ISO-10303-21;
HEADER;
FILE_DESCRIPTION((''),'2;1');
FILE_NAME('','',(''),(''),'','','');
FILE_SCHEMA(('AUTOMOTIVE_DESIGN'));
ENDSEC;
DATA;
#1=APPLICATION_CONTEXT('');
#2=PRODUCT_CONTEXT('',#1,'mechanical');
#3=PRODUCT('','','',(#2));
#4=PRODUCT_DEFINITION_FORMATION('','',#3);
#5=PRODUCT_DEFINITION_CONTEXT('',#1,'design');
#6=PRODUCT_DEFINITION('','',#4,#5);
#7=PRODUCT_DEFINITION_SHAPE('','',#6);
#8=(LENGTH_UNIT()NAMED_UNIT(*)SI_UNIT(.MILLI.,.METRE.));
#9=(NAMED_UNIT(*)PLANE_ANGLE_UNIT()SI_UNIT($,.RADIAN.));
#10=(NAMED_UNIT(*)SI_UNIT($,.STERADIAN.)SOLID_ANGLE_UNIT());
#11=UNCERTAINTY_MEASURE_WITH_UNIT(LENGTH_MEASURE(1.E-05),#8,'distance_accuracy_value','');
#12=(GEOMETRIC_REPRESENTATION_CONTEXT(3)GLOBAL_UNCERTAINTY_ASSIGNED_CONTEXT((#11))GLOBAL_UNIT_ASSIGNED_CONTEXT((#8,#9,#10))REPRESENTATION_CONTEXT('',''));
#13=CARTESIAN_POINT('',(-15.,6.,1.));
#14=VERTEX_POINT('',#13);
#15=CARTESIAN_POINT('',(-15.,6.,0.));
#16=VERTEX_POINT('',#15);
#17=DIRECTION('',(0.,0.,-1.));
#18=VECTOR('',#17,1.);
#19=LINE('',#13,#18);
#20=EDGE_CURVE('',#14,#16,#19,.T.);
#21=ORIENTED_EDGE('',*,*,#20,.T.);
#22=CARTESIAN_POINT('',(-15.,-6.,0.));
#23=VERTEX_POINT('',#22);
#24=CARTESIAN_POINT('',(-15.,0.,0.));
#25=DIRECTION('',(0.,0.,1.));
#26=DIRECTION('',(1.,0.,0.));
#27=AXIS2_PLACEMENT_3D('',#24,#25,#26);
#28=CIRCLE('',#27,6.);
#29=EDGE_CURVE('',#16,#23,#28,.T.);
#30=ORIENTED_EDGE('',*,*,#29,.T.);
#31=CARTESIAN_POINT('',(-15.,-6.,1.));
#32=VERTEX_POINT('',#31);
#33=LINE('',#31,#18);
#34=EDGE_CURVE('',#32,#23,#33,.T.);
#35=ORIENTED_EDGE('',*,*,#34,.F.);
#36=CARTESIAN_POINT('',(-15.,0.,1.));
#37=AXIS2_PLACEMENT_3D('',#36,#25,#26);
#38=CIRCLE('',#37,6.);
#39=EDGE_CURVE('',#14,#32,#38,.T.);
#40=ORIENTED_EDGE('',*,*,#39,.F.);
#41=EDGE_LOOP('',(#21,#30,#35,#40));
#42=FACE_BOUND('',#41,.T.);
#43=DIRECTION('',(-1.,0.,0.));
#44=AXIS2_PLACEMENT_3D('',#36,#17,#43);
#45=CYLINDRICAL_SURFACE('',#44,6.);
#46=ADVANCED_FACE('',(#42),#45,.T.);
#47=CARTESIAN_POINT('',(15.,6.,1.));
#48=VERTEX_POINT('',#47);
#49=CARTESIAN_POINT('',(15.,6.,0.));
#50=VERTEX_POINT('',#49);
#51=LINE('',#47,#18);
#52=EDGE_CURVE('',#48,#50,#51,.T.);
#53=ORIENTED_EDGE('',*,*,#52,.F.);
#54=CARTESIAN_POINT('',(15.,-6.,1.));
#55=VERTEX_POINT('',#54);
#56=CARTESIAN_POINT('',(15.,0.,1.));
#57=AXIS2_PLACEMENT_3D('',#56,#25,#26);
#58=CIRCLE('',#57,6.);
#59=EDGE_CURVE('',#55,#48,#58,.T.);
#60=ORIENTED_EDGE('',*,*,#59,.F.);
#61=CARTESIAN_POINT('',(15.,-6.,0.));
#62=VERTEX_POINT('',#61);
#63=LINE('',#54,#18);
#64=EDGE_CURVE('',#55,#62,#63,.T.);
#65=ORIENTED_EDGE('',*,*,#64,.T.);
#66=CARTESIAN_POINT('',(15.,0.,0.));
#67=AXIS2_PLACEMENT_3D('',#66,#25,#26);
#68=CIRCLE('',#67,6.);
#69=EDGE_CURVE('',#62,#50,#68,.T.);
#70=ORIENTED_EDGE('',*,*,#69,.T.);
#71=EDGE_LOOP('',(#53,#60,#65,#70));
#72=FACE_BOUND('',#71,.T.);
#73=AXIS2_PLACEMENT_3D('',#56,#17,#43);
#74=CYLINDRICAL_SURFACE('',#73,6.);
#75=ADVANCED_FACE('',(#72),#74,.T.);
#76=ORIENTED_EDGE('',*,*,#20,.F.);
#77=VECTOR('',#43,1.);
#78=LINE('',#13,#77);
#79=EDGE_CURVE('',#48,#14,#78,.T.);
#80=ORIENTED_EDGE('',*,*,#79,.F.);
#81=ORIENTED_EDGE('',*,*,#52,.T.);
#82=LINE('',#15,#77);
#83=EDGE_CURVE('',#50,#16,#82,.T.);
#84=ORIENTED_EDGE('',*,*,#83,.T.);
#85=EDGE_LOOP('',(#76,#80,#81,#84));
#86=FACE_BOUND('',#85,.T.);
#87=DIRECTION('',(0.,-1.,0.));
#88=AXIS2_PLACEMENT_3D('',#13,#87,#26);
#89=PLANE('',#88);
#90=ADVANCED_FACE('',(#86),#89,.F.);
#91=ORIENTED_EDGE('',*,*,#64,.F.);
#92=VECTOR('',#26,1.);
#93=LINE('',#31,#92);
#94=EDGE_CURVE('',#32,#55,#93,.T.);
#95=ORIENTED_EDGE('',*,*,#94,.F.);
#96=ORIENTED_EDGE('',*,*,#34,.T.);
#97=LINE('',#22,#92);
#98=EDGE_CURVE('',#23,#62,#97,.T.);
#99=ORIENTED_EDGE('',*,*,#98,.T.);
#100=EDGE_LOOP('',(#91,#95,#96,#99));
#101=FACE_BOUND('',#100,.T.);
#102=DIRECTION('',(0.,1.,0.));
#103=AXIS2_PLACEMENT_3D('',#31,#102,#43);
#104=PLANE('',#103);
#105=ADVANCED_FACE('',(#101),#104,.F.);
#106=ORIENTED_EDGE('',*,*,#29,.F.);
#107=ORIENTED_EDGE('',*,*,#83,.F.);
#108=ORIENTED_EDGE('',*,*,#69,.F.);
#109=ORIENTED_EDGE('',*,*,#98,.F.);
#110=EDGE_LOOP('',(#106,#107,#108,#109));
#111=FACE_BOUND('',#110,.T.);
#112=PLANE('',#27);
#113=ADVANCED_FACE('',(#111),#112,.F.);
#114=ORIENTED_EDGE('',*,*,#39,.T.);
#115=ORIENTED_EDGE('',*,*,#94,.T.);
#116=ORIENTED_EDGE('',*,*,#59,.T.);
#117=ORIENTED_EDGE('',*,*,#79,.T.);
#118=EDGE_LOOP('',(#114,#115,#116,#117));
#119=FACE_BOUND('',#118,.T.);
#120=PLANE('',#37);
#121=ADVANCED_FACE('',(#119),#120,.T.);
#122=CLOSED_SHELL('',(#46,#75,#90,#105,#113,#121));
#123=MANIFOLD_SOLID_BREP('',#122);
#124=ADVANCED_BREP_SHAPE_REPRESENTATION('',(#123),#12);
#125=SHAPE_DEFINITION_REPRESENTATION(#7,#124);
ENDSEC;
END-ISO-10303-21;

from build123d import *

# Parameters (mm, degrees)
BOSS_EXTRUDE1_DEPTH = 1


with BuildPart() as part:
    # Sketch1 → Boss-Extrude1 (new body)
    with BuildSketch(Plane.XY):
        with BuildLine():
            Line((-15, 6), (15, 6))
            ThreePointArc((15, 6), (21, 0), (15, -6))
            Line((15, -6), (-15, -6))
            ThreePointArc((-15, -6), (-21, 0), (-15, 6))
        make_face()
    extrude(amount=BOSS_EXTRUDE1_DEPTH)


solid = part.part
